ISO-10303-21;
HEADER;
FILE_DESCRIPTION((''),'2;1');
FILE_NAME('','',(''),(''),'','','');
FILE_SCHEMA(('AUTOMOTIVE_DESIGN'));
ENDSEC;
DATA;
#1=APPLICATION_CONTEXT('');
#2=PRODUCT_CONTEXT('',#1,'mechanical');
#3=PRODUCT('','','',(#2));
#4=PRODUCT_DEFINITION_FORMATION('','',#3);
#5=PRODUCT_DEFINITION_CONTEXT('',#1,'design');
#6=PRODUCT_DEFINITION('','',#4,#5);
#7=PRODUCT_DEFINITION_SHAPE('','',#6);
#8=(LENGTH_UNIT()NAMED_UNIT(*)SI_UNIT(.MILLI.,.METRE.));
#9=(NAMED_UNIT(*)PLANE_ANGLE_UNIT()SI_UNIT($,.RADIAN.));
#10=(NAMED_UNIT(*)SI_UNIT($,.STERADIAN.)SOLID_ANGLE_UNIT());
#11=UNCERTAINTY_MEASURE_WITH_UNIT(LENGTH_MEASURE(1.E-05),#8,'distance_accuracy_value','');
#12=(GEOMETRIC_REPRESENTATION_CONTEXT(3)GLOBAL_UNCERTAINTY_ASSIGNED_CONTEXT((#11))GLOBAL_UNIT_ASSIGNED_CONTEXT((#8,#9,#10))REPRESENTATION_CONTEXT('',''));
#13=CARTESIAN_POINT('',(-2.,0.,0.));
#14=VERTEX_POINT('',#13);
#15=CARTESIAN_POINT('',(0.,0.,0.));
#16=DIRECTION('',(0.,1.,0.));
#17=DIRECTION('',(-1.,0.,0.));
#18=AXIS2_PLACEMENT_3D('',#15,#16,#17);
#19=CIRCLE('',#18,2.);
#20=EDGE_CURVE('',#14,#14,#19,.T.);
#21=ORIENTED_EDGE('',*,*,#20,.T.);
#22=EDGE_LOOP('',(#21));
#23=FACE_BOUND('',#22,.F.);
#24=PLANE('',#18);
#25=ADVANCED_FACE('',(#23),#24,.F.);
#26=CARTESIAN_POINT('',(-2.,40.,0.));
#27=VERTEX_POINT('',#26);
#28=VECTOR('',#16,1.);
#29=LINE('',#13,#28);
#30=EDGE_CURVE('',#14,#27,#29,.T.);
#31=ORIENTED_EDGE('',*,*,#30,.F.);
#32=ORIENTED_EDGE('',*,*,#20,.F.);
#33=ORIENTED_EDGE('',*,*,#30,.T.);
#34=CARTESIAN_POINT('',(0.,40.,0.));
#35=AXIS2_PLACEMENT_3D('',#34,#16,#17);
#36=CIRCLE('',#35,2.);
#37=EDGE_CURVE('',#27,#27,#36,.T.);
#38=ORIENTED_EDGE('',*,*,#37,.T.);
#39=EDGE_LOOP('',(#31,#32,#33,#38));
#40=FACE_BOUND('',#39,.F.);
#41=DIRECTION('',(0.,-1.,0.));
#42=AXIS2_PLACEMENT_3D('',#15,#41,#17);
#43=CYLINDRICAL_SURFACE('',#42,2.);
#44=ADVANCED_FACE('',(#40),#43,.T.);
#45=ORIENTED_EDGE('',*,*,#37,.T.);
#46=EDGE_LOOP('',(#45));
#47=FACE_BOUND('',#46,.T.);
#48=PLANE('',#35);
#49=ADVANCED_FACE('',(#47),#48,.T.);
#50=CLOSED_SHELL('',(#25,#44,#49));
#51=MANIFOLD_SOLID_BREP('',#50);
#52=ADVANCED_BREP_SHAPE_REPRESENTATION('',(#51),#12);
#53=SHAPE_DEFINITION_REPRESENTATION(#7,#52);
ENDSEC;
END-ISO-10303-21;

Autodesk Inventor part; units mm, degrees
ref_plane "YZ Plane" through (0, 0, 0) normal (1, 0, 0) x (0, 1, 0)
ref_plane "XZ Plane" through (0, 0, 0) normal (0, 1, 0) x (-1, 0, 0)
ref_plane "XY Plane" through (0, 0, 0) normal (0, 0, 1) x (1, 0, 0)
sketch "草圖1" plane through (0, 0, 0) normal (0, 1, 0) x (-1, 0, 0)
  circle A0 centre (0, 0) radius 2
  dimension "d0" = 4
extrude "擠出1" add sketch "草圖1" along normal blind 40
properties part number "axle 4_20" material "壓克力條"
